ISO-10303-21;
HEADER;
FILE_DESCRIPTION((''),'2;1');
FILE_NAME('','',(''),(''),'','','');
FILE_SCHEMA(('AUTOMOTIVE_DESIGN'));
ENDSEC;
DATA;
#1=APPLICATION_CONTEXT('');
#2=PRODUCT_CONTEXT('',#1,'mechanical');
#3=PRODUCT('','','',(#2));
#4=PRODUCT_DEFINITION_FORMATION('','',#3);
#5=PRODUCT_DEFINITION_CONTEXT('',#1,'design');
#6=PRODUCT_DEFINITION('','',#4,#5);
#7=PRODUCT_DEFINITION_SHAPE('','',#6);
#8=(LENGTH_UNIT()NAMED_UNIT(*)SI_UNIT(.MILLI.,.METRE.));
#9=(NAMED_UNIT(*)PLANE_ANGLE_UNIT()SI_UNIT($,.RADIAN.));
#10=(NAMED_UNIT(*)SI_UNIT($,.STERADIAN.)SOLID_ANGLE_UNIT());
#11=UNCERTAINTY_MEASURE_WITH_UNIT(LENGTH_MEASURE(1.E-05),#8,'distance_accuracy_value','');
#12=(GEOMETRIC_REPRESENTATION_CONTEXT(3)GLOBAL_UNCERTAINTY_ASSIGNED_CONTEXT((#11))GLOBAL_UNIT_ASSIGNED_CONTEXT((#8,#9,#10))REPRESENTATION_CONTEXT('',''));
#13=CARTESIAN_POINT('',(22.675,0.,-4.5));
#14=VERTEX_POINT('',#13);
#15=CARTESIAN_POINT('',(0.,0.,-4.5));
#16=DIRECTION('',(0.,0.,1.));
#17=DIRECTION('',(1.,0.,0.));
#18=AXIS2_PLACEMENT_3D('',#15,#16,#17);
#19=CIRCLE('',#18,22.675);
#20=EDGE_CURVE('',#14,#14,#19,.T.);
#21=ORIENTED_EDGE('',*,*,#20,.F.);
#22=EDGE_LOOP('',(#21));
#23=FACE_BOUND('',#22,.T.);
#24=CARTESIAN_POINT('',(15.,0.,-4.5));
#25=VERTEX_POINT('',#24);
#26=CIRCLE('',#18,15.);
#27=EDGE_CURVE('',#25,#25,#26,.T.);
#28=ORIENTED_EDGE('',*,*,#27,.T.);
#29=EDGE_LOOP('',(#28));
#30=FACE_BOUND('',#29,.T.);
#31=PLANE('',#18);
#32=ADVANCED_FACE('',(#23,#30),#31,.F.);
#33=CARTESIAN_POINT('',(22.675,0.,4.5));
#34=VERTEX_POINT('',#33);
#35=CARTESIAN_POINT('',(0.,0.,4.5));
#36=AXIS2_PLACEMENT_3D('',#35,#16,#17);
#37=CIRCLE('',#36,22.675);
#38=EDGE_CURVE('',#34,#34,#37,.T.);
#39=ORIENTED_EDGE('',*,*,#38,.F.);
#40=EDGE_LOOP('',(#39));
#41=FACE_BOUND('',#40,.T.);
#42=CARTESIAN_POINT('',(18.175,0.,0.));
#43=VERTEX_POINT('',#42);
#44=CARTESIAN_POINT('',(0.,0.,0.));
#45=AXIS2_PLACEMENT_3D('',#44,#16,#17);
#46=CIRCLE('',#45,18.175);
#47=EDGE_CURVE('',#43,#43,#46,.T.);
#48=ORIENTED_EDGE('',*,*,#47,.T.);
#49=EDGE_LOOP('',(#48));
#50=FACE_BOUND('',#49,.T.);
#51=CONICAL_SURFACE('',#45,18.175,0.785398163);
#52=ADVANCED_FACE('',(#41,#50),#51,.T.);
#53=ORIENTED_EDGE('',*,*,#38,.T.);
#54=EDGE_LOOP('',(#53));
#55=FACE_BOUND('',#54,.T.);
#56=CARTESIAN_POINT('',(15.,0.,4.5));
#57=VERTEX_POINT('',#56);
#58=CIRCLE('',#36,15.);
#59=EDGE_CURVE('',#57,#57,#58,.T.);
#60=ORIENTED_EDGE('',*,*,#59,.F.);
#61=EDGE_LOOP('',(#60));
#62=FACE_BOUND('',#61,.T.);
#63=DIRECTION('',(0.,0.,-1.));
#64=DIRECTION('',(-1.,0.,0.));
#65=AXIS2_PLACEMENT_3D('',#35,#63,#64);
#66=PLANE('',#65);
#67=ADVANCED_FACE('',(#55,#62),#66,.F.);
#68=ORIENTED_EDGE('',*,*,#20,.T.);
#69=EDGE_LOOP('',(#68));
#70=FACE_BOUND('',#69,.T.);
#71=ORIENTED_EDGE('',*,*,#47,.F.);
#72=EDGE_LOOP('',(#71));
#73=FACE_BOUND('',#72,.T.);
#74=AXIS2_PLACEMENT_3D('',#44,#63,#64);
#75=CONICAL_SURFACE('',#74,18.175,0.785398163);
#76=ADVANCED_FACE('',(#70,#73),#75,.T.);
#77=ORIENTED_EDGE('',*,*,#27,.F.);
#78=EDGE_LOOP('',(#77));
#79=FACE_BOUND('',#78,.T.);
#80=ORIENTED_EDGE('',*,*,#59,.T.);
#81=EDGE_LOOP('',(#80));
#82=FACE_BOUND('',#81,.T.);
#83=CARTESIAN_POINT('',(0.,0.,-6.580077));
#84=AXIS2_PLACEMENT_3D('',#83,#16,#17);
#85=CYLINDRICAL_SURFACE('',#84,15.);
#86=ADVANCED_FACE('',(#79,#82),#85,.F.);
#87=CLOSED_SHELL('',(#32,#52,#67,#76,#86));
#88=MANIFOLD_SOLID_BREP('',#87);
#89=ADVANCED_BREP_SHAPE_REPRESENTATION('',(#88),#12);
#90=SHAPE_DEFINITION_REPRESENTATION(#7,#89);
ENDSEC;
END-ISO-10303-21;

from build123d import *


with BuildPart() as part:
    # Sketch1 → Revolve1 (revolve)
    with BuildSketch(Plane(origin=(0, 0, 0), x_dir=(1, 0, 0), z_dir=(0, 1, 0))):
        Polygon((-15, -4.5), (-15, 4.5), (-22.675, 4.5), (-18.175, 0), (-22.675, -4.5), align=None)
    revolve(axis=Axis((0, 0, -6.580077143), (0, 0, -1)))


solid = part.part
